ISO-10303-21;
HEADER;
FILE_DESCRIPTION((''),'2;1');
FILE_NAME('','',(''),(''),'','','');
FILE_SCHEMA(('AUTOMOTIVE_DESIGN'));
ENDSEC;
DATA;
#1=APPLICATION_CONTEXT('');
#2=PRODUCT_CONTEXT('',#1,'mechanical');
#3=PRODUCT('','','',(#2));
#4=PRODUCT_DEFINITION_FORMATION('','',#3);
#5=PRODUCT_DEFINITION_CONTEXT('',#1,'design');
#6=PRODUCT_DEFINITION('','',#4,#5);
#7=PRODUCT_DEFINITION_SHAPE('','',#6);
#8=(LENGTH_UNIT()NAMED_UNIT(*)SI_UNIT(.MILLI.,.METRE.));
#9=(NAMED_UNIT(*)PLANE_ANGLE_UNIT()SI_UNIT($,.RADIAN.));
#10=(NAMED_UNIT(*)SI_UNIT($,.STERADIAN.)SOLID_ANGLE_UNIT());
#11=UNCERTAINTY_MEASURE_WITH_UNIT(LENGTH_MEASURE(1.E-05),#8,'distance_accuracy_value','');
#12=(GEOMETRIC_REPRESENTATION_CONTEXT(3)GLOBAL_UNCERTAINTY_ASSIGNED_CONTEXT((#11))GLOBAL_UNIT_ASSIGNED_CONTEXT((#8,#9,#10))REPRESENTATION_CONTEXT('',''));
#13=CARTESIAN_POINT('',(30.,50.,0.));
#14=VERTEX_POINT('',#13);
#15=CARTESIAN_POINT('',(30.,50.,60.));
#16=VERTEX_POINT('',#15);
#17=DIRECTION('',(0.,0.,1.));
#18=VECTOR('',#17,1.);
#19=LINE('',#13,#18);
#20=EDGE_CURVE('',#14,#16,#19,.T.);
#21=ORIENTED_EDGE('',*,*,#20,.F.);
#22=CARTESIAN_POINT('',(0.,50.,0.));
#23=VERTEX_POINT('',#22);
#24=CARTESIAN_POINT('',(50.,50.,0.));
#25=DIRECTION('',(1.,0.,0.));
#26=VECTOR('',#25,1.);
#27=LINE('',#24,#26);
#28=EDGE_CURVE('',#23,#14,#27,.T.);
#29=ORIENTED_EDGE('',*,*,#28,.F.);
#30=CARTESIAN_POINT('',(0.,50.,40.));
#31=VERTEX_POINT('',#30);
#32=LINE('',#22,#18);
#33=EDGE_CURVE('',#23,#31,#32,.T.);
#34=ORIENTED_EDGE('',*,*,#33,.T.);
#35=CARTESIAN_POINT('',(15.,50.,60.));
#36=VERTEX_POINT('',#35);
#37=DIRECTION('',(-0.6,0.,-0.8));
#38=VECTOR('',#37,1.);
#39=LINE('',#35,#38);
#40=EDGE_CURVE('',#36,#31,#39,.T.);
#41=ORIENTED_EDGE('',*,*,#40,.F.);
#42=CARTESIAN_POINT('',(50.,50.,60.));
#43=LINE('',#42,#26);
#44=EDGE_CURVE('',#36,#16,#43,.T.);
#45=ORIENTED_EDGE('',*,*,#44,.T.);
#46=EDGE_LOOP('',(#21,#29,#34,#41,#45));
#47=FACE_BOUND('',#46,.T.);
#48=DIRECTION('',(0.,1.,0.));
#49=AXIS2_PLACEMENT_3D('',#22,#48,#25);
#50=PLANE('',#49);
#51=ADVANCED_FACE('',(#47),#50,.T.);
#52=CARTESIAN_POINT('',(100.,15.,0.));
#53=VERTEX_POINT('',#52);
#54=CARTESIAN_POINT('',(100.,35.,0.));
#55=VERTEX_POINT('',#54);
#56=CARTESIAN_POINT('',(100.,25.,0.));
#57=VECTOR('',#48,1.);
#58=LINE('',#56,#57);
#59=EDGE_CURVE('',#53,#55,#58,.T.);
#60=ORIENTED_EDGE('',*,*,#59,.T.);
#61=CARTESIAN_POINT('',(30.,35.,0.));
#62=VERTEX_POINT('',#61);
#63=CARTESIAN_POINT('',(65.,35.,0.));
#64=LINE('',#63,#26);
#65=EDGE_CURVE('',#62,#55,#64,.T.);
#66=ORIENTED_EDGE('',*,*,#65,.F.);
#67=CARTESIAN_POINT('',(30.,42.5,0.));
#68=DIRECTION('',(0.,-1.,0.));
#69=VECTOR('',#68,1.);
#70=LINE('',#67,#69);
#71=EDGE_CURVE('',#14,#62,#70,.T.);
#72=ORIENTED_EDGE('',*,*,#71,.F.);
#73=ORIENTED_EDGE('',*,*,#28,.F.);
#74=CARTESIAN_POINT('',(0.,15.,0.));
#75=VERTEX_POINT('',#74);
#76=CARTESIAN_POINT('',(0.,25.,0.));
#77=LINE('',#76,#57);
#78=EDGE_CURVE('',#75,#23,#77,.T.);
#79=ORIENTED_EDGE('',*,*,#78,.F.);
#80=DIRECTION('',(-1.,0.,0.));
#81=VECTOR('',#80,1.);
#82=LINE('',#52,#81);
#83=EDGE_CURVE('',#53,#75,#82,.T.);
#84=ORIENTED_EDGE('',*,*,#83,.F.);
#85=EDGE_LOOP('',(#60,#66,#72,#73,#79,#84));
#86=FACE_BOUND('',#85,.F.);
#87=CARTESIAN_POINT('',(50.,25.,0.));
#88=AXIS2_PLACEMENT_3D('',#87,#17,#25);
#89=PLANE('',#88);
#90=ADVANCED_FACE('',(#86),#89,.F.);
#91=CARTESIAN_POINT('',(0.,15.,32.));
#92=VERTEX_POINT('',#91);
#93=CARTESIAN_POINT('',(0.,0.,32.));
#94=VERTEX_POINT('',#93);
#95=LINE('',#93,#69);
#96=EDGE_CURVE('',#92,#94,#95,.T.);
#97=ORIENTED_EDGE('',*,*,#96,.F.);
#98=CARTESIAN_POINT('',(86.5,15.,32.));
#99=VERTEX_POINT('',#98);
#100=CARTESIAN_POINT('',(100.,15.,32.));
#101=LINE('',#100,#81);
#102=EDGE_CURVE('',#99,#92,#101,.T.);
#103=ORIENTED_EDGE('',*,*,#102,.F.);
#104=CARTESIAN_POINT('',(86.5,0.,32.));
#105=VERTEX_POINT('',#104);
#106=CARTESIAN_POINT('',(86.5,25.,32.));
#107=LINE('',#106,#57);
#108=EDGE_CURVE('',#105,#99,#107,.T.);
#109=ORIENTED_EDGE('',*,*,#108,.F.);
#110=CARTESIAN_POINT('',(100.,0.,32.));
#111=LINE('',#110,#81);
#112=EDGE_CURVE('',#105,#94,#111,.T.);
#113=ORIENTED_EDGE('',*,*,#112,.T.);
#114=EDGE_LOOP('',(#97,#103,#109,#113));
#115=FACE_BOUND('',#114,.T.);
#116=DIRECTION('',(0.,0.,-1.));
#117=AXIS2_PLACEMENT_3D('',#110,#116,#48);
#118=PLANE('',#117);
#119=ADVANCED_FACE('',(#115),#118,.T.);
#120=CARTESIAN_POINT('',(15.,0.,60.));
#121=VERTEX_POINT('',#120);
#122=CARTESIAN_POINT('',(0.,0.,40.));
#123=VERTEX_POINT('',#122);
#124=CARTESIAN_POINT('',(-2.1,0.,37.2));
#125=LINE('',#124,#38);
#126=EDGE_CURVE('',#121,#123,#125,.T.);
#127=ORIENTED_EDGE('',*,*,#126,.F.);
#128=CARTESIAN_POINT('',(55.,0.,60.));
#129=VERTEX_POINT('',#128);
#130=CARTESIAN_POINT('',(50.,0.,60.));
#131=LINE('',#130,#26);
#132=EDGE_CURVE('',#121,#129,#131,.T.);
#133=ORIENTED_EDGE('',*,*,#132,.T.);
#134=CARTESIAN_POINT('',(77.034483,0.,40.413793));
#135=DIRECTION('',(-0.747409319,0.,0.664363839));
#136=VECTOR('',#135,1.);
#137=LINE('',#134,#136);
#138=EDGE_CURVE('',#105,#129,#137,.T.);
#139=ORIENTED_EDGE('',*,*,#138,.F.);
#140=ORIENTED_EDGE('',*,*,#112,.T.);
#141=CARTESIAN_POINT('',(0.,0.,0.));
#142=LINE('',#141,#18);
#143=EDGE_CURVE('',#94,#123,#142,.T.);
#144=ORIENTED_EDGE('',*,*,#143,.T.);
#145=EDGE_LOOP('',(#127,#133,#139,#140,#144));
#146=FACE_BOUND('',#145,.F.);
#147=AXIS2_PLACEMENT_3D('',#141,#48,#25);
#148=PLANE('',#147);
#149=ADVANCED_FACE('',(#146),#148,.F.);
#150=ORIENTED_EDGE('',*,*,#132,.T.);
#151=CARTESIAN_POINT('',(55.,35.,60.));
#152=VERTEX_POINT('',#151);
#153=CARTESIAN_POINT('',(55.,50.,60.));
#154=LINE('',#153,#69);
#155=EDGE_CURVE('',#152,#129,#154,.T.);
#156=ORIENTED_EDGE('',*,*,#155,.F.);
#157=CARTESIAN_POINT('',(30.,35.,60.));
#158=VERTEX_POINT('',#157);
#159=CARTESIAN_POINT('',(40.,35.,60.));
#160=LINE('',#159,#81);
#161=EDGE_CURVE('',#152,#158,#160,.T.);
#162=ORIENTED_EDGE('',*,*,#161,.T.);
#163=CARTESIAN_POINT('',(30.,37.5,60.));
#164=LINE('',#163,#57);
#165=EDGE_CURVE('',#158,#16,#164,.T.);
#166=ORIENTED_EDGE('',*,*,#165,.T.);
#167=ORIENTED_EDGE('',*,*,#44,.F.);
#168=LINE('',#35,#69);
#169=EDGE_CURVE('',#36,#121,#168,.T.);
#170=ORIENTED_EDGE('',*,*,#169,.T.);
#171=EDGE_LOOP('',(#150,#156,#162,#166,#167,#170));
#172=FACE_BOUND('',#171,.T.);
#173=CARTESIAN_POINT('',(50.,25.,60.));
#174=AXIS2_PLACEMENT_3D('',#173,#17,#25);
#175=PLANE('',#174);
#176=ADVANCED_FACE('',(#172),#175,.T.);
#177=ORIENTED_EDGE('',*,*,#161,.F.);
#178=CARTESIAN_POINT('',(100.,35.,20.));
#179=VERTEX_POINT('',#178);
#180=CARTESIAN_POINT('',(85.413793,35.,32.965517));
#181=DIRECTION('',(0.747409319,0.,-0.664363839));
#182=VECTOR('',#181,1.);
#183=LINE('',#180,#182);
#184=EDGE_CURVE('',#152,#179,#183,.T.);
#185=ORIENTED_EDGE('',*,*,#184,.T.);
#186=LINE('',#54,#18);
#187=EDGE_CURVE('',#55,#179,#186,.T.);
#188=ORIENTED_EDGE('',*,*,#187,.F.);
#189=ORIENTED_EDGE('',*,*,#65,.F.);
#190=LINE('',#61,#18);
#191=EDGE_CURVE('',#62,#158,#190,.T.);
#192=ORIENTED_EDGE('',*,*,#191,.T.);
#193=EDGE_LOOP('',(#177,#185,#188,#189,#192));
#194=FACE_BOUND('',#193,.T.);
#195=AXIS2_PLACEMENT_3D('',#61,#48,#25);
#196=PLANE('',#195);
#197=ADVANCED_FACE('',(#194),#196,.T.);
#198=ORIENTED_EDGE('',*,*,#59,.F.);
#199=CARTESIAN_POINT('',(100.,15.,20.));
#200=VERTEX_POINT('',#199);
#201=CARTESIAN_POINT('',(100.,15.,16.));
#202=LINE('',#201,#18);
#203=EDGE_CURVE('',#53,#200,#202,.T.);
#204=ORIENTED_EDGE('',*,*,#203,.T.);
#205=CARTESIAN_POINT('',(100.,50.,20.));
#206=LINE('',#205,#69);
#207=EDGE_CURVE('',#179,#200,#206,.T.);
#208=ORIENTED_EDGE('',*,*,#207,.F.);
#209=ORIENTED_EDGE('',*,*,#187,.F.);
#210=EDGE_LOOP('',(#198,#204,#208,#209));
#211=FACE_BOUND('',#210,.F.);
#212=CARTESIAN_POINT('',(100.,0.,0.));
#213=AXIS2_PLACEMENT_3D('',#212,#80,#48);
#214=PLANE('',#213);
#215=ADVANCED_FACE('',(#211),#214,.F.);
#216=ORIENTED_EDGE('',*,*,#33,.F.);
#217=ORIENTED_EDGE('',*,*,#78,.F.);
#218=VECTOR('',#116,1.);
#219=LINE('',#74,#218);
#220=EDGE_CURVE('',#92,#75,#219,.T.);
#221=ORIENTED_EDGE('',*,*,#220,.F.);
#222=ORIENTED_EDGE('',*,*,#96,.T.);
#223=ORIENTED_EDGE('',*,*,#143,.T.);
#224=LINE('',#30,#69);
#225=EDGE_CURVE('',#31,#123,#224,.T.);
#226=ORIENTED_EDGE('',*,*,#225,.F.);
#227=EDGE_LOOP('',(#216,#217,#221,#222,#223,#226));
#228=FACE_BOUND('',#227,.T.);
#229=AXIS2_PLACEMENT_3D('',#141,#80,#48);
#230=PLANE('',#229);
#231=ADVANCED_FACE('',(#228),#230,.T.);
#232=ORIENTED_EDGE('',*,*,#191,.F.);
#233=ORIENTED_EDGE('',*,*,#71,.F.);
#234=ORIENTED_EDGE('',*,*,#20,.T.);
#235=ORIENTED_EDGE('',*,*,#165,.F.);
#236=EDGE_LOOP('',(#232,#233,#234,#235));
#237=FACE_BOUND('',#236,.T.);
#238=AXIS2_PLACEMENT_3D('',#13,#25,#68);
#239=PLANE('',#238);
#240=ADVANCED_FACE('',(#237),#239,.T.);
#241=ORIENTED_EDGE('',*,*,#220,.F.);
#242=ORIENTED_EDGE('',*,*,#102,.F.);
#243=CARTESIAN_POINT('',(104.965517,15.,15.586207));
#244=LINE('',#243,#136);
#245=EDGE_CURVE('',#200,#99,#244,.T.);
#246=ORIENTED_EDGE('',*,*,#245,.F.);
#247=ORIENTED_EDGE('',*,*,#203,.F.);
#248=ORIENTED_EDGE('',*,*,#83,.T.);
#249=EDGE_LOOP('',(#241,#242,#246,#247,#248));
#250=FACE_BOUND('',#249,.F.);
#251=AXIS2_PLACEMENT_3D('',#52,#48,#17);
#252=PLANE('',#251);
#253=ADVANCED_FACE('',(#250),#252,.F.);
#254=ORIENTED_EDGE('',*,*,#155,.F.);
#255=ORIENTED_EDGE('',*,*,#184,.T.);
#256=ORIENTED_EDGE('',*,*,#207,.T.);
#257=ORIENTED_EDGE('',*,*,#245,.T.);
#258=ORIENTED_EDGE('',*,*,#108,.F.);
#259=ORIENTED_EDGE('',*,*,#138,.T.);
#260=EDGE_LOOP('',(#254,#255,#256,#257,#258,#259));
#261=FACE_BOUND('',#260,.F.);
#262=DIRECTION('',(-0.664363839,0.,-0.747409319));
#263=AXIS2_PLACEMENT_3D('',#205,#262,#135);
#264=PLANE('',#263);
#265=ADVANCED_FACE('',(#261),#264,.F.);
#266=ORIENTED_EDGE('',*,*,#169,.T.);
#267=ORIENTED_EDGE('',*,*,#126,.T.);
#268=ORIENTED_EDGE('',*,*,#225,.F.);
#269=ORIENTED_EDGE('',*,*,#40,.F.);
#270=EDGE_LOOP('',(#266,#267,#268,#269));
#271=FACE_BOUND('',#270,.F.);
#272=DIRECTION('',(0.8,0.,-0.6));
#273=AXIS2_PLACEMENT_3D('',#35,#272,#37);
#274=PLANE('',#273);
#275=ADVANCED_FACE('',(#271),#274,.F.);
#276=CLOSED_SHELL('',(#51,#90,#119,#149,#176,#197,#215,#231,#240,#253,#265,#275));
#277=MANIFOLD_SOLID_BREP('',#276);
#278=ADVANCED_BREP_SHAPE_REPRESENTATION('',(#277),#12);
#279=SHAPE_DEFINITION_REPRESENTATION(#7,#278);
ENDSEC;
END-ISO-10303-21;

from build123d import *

# Parameters (mm, degrees)
F0_W     = 100
F0_H     = 50
F1_DEPTH = 60
F2_W     = 15
F2_H     = 32
F3_DEPTH = 100.001
F5_DEPTH = 50.001
F6_W     = 70
F6_H     = 15
F7_DEPTH = 60.001


with BuildPart() as f1:
    # F0 (on Top) → F1 (new body)
    with BuildSketch(Plane.XY):
        with Locations((50, 25)):
            Rectangle(F0_W, F0_H)
    extrude(amount=F1_DEPTH)

    # F2 (on face) → F3 (cut, through all)
    with BuildSketch(Plane.YZ.offset(100)):
        with Locations((7.5, 16)):
            Rectangle(F2_W, F2_H)
    extrude(amount=-F3_DEPTH, mode=Mode.SUBTRACT)

    # F4 (on face) → F5 (cut, through all)
    with BuildSketch(Plane(origin=(0, 50, 0), x_dir=(-1, 0, 0), z_dir=(0, 1, 0))):
        Polygon((0, 60), (-15, 60), (0, 40), align=None)
        Polygon((-100, 20), (-55, 60), (-100, 60), align=None)
    extrude(amount=-F5_DEPTH, mode=Mode.SUBTRACT)

    # F6 (on face) → F7 (cut, through all)
    with BuildSketch(Plane(origin=(0, 0, 0), x_dir=(1, 0, 0), z_dir=(0, 0, -1))):
        with Locations((65, -42.5)):
            Rectangle(F6_W, F6_H)
    extrude(amount=-F7_DEPTH, mode=Mode.SUBTRACT)


solid = f1.part
